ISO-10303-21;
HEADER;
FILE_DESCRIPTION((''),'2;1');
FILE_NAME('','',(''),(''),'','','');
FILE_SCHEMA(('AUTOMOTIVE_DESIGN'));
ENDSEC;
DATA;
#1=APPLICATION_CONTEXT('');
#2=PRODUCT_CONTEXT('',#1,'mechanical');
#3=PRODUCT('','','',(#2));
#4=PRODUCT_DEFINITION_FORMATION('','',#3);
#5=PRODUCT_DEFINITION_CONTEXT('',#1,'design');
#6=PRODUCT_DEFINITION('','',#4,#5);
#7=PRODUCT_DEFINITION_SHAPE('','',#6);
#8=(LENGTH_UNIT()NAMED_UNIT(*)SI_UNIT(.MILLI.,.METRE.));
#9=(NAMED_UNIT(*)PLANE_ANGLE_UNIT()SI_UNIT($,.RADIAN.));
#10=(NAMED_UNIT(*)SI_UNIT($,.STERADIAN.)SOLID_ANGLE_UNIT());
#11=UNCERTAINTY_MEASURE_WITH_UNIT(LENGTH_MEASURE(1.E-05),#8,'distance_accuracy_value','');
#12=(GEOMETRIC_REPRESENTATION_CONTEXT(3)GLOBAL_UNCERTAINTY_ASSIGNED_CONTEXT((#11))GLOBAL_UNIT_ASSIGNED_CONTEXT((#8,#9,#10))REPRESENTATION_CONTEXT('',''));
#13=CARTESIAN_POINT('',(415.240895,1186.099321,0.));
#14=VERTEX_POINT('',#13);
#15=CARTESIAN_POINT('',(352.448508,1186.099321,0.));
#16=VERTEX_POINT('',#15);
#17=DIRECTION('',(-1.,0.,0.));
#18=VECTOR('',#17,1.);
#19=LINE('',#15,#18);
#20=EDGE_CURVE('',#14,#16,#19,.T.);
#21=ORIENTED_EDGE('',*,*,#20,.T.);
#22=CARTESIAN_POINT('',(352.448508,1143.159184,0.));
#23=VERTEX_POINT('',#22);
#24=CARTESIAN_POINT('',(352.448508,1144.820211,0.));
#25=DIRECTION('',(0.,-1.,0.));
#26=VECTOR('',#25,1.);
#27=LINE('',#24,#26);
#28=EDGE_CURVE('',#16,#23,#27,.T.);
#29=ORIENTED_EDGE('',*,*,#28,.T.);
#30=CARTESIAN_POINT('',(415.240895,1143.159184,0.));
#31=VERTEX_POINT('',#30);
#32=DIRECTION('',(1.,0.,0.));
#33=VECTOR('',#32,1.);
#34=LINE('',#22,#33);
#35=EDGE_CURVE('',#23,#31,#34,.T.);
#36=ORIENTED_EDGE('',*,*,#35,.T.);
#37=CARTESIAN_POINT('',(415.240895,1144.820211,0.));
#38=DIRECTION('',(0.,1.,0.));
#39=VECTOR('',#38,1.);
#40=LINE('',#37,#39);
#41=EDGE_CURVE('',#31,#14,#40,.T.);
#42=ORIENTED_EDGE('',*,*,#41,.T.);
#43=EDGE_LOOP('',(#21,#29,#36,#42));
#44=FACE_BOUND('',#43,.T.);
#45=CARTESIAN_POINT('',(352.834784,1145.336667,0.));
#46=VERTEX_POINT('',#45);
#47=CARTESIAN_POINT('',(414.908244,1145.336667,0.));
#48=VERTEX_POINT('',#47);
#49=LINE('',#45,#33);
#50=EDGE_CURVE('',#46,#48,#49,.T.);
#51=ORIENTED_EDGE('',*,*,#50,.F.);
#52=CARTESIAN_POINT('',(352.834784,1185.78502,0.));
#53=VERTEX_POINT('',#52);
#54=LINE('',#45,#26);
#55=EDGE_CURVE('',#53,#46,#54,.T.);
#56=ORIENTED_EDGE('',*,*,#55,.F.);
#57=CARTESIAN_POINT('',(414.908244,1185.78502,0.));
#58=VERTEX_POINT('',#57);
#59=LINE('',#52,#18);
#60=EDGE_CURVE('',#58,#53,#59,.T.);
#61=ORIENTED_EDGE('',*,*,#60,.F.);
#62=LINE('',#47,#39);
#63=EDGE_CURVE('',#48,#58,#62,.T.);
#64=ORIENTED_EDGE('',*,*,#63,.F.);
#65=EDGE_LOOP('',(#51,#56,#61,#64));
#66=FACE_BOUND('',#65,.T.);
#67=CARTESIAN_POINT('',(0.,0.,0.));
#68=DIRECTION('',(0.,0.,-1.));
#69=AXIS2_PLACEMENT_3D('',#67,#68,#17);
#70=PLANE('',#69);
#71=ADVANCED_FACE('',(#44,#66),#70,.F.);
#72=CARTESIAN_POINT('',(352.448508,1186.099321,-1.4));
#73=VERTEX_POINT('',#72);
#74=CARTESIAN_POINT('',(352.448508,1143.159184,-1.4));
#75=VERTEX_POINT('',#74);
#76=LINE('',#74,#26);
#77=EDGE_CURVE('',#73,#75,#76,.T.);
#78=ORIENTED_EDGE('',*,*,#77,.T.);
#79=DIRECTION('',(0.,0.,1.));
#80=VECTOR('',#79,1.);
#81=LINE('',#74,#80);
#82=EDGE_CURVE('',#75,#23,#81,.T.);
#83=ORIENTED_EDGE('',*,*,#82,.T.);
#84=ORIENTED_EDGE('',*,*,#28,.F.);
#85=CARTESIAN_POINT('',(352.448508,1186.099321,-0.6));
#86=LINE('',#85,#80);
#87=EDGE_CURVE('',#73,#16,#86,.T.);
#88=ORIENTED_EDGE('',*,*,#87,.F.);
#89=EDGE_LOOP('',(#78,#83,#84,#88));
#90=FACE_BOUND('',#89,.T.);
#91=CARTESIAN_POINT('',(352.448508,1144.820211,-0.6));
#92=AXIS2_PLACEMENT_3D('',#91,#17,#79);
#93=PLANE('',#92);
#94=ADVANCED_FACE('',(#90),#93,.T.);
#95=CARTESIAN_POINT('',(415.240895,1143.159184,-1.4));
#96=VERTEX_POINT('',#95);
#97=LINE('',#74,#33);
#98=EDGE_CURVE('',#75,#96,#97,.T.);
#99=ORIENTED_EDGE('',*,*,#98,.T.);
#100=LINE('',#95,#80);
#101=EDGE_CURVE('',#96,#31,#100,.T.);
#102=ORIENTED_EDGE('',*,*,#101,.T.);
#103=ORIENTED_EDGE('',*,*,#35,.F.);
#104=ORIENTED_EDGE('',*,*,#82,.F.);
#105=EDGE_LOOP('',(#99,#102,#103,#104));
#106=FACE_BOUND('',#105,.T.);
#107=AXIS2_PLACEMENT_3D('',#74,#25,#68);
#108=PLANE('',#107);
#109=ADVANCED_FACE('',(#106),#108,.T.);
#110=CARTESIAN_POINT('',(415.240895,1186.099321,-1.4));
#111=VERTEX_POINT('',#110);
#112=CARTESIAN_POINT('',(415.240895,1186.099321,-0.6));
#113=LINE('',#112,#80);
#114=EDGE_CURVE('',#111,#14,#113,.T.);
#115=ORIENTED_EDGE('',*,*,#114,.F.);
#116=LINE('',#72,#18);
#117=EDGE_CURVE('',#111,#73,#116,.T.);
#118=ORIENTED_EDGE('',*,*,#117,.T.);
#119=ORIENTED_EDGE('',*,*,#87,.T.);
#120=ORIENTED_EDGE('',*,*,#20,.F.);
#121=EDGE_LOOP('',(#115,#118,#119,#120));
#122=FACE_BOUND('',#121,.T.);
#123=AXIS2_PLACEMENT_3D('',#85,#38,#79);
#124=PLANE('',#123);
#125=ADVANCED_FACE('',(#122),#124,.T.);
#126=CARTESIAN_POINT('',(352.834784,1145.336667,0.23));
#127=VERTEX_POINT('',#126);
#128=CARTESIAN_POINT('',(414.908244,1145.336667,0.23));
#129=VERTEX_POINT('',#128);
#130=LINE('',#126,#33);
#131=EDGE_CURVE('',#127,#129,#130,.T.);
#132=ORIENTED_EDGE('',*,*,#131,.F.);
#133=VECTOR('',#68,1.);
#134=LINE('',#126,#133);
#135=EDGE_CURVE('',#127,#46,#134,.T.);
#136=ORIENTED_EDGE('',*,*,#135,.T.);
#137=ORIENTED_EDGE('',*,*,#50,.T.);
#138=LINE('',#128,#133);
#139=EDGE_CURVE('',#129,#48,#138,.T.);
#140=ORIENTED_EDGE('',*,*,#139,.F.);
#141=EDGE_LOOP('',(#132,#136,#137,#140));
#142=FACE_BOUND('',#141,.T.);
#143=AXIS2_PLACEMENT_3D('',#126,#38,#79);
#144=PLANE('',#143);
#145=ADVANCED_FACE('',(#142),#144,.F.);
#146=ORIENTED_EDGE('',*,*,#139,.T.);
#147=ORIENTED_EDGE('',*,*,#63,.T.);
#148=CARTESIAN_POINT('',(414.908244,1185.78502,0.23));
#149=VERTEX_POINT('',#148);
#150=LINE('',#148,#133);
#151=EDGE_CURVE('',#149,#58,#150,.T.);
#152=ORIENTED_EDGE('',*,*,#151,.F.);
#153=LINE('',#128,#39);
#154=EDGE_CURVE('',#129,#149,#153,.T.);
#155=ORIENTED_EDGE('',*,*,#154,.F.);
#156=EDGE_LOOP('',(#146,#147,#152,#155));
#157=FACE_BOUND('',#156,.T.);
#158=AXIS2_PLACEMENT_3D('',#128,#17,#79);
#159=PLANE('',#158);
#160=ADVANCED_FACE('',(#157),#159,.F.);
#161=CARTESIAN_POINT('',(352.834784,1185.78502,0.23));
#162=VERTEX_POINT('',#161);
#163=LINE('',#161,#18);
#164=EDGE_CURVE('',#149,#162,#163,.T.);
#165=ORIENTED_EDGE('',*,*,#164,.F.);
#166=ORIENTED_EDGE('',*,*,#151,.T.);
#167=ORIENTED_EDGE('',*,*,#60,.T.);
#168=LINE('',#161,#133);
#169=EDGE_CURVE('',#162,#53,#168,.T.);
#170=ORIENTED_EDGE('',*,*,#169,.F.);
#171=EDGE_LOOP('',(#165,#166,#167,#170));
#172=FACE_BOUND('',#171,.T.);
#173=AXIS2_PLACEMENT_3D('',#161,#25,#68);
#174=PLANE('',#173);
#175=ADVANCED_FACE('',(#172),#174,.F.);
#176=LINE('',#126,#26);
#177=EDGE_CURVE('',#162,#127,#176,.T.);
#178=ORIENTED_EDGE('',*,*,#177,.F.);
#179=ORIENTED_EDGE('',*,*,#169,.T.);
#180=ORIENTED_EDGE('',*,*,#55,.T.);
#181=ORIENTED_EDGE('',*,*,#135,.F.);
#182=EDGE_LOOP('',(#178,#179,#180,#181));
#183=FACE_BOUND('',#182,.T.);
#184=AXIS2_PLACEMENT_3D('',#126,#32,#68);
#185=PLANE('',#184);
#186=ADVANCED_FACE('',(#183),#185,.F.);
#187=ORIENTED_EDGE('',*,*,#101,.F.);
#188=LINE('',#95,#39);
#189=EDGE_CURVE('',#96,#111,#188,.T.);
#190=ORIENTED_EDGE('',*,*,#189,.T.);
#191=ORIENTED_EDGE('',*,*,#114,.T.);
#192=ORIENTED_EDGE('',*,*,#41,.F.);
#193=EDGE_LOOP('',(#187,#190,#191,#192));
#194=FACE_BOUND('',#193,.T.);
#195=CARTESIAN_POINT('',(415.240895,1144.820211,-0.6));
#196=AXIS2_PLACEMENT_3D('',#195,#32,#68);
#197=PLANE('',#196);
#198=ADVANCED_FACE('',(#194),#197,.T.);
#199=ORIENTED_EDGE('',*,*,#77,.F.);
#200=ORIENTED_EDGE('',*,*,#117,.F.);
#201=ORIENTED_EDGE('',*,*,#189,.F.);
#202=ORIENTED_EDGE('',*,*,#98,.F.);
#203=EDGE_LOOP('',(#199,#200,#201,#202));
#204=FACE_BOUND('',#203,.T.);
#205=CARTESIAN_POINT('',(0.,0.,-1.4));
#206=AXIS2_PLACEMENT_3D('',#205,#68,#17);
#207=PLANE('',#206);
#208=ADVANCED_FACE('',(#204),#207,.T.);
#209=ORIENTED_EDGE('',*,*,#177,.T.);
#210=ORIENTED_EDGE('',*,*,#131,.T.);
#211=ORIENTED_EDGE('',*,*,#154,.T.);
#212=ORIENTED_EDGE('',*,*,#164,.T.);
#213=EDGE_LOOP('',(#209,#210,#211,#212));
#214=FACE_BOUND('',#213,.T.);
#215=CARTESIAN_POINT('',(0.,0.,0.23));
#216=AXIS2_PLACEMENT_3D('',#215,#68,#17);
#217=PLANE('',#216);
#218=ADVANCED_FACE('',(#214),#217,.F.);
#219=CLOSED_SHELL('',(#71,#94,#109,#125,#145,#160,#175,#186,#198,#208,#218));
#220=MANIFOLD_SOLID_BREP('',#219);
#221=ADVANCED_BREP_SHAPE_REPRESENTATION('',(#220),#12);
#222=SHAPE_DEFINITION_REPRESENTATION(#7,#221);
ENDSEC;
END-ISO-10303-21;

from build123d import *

# Parameters (mm, degrees)
CADREINTERNE_W     = 62.073460636
CADREINTERNE_H     = 40.448352725
BOSS_EXTRU_1_DEPTH = 0.23
CADRE2_W           = 62.792386967
CADRE2_H           = 41.279110161
BOSS_EXTRU_2_DEPTH = 0.6
CADREMAX_W         = 62.792386967
CADREMAX_H         = 42.940137113
BOSS_EXTRU_3_DEPTH = 1.4


with BuildPart() as part:
    # cadreinterne → Boss.-Extru.1 (new body)
    with BuildSketch(Plane.XY):
        with Locations((383.87151409, 1165.56084344)):
            Rectangle(CADREINTERNE_W, CADREINTERNE_H)
    extrude(amount=BOSS_EXTRU_1_DEPTH)

    # cadre2 → Boss.-Extru.2 (add)
    with BuildSketch(Plane.XY):
        with Locations((383.844701739, 1165.459766272)):
            Rectangle(CADRE2_W, CADRE2_H)
    extrude(amount=-BOSS_EXTRU_2_DEPTH)

    # cadremax → Boss.-Extru.3 (add)
    with BuildSketch(Plane.XY):
        with Locations((383.844701739, 1164.629252796)):
            Rectangle(CADREMAX_W, CADREMAX_H)
    extrude(amount=-BOSS_EXTRU_3_DEPTH)


solid = part.part
